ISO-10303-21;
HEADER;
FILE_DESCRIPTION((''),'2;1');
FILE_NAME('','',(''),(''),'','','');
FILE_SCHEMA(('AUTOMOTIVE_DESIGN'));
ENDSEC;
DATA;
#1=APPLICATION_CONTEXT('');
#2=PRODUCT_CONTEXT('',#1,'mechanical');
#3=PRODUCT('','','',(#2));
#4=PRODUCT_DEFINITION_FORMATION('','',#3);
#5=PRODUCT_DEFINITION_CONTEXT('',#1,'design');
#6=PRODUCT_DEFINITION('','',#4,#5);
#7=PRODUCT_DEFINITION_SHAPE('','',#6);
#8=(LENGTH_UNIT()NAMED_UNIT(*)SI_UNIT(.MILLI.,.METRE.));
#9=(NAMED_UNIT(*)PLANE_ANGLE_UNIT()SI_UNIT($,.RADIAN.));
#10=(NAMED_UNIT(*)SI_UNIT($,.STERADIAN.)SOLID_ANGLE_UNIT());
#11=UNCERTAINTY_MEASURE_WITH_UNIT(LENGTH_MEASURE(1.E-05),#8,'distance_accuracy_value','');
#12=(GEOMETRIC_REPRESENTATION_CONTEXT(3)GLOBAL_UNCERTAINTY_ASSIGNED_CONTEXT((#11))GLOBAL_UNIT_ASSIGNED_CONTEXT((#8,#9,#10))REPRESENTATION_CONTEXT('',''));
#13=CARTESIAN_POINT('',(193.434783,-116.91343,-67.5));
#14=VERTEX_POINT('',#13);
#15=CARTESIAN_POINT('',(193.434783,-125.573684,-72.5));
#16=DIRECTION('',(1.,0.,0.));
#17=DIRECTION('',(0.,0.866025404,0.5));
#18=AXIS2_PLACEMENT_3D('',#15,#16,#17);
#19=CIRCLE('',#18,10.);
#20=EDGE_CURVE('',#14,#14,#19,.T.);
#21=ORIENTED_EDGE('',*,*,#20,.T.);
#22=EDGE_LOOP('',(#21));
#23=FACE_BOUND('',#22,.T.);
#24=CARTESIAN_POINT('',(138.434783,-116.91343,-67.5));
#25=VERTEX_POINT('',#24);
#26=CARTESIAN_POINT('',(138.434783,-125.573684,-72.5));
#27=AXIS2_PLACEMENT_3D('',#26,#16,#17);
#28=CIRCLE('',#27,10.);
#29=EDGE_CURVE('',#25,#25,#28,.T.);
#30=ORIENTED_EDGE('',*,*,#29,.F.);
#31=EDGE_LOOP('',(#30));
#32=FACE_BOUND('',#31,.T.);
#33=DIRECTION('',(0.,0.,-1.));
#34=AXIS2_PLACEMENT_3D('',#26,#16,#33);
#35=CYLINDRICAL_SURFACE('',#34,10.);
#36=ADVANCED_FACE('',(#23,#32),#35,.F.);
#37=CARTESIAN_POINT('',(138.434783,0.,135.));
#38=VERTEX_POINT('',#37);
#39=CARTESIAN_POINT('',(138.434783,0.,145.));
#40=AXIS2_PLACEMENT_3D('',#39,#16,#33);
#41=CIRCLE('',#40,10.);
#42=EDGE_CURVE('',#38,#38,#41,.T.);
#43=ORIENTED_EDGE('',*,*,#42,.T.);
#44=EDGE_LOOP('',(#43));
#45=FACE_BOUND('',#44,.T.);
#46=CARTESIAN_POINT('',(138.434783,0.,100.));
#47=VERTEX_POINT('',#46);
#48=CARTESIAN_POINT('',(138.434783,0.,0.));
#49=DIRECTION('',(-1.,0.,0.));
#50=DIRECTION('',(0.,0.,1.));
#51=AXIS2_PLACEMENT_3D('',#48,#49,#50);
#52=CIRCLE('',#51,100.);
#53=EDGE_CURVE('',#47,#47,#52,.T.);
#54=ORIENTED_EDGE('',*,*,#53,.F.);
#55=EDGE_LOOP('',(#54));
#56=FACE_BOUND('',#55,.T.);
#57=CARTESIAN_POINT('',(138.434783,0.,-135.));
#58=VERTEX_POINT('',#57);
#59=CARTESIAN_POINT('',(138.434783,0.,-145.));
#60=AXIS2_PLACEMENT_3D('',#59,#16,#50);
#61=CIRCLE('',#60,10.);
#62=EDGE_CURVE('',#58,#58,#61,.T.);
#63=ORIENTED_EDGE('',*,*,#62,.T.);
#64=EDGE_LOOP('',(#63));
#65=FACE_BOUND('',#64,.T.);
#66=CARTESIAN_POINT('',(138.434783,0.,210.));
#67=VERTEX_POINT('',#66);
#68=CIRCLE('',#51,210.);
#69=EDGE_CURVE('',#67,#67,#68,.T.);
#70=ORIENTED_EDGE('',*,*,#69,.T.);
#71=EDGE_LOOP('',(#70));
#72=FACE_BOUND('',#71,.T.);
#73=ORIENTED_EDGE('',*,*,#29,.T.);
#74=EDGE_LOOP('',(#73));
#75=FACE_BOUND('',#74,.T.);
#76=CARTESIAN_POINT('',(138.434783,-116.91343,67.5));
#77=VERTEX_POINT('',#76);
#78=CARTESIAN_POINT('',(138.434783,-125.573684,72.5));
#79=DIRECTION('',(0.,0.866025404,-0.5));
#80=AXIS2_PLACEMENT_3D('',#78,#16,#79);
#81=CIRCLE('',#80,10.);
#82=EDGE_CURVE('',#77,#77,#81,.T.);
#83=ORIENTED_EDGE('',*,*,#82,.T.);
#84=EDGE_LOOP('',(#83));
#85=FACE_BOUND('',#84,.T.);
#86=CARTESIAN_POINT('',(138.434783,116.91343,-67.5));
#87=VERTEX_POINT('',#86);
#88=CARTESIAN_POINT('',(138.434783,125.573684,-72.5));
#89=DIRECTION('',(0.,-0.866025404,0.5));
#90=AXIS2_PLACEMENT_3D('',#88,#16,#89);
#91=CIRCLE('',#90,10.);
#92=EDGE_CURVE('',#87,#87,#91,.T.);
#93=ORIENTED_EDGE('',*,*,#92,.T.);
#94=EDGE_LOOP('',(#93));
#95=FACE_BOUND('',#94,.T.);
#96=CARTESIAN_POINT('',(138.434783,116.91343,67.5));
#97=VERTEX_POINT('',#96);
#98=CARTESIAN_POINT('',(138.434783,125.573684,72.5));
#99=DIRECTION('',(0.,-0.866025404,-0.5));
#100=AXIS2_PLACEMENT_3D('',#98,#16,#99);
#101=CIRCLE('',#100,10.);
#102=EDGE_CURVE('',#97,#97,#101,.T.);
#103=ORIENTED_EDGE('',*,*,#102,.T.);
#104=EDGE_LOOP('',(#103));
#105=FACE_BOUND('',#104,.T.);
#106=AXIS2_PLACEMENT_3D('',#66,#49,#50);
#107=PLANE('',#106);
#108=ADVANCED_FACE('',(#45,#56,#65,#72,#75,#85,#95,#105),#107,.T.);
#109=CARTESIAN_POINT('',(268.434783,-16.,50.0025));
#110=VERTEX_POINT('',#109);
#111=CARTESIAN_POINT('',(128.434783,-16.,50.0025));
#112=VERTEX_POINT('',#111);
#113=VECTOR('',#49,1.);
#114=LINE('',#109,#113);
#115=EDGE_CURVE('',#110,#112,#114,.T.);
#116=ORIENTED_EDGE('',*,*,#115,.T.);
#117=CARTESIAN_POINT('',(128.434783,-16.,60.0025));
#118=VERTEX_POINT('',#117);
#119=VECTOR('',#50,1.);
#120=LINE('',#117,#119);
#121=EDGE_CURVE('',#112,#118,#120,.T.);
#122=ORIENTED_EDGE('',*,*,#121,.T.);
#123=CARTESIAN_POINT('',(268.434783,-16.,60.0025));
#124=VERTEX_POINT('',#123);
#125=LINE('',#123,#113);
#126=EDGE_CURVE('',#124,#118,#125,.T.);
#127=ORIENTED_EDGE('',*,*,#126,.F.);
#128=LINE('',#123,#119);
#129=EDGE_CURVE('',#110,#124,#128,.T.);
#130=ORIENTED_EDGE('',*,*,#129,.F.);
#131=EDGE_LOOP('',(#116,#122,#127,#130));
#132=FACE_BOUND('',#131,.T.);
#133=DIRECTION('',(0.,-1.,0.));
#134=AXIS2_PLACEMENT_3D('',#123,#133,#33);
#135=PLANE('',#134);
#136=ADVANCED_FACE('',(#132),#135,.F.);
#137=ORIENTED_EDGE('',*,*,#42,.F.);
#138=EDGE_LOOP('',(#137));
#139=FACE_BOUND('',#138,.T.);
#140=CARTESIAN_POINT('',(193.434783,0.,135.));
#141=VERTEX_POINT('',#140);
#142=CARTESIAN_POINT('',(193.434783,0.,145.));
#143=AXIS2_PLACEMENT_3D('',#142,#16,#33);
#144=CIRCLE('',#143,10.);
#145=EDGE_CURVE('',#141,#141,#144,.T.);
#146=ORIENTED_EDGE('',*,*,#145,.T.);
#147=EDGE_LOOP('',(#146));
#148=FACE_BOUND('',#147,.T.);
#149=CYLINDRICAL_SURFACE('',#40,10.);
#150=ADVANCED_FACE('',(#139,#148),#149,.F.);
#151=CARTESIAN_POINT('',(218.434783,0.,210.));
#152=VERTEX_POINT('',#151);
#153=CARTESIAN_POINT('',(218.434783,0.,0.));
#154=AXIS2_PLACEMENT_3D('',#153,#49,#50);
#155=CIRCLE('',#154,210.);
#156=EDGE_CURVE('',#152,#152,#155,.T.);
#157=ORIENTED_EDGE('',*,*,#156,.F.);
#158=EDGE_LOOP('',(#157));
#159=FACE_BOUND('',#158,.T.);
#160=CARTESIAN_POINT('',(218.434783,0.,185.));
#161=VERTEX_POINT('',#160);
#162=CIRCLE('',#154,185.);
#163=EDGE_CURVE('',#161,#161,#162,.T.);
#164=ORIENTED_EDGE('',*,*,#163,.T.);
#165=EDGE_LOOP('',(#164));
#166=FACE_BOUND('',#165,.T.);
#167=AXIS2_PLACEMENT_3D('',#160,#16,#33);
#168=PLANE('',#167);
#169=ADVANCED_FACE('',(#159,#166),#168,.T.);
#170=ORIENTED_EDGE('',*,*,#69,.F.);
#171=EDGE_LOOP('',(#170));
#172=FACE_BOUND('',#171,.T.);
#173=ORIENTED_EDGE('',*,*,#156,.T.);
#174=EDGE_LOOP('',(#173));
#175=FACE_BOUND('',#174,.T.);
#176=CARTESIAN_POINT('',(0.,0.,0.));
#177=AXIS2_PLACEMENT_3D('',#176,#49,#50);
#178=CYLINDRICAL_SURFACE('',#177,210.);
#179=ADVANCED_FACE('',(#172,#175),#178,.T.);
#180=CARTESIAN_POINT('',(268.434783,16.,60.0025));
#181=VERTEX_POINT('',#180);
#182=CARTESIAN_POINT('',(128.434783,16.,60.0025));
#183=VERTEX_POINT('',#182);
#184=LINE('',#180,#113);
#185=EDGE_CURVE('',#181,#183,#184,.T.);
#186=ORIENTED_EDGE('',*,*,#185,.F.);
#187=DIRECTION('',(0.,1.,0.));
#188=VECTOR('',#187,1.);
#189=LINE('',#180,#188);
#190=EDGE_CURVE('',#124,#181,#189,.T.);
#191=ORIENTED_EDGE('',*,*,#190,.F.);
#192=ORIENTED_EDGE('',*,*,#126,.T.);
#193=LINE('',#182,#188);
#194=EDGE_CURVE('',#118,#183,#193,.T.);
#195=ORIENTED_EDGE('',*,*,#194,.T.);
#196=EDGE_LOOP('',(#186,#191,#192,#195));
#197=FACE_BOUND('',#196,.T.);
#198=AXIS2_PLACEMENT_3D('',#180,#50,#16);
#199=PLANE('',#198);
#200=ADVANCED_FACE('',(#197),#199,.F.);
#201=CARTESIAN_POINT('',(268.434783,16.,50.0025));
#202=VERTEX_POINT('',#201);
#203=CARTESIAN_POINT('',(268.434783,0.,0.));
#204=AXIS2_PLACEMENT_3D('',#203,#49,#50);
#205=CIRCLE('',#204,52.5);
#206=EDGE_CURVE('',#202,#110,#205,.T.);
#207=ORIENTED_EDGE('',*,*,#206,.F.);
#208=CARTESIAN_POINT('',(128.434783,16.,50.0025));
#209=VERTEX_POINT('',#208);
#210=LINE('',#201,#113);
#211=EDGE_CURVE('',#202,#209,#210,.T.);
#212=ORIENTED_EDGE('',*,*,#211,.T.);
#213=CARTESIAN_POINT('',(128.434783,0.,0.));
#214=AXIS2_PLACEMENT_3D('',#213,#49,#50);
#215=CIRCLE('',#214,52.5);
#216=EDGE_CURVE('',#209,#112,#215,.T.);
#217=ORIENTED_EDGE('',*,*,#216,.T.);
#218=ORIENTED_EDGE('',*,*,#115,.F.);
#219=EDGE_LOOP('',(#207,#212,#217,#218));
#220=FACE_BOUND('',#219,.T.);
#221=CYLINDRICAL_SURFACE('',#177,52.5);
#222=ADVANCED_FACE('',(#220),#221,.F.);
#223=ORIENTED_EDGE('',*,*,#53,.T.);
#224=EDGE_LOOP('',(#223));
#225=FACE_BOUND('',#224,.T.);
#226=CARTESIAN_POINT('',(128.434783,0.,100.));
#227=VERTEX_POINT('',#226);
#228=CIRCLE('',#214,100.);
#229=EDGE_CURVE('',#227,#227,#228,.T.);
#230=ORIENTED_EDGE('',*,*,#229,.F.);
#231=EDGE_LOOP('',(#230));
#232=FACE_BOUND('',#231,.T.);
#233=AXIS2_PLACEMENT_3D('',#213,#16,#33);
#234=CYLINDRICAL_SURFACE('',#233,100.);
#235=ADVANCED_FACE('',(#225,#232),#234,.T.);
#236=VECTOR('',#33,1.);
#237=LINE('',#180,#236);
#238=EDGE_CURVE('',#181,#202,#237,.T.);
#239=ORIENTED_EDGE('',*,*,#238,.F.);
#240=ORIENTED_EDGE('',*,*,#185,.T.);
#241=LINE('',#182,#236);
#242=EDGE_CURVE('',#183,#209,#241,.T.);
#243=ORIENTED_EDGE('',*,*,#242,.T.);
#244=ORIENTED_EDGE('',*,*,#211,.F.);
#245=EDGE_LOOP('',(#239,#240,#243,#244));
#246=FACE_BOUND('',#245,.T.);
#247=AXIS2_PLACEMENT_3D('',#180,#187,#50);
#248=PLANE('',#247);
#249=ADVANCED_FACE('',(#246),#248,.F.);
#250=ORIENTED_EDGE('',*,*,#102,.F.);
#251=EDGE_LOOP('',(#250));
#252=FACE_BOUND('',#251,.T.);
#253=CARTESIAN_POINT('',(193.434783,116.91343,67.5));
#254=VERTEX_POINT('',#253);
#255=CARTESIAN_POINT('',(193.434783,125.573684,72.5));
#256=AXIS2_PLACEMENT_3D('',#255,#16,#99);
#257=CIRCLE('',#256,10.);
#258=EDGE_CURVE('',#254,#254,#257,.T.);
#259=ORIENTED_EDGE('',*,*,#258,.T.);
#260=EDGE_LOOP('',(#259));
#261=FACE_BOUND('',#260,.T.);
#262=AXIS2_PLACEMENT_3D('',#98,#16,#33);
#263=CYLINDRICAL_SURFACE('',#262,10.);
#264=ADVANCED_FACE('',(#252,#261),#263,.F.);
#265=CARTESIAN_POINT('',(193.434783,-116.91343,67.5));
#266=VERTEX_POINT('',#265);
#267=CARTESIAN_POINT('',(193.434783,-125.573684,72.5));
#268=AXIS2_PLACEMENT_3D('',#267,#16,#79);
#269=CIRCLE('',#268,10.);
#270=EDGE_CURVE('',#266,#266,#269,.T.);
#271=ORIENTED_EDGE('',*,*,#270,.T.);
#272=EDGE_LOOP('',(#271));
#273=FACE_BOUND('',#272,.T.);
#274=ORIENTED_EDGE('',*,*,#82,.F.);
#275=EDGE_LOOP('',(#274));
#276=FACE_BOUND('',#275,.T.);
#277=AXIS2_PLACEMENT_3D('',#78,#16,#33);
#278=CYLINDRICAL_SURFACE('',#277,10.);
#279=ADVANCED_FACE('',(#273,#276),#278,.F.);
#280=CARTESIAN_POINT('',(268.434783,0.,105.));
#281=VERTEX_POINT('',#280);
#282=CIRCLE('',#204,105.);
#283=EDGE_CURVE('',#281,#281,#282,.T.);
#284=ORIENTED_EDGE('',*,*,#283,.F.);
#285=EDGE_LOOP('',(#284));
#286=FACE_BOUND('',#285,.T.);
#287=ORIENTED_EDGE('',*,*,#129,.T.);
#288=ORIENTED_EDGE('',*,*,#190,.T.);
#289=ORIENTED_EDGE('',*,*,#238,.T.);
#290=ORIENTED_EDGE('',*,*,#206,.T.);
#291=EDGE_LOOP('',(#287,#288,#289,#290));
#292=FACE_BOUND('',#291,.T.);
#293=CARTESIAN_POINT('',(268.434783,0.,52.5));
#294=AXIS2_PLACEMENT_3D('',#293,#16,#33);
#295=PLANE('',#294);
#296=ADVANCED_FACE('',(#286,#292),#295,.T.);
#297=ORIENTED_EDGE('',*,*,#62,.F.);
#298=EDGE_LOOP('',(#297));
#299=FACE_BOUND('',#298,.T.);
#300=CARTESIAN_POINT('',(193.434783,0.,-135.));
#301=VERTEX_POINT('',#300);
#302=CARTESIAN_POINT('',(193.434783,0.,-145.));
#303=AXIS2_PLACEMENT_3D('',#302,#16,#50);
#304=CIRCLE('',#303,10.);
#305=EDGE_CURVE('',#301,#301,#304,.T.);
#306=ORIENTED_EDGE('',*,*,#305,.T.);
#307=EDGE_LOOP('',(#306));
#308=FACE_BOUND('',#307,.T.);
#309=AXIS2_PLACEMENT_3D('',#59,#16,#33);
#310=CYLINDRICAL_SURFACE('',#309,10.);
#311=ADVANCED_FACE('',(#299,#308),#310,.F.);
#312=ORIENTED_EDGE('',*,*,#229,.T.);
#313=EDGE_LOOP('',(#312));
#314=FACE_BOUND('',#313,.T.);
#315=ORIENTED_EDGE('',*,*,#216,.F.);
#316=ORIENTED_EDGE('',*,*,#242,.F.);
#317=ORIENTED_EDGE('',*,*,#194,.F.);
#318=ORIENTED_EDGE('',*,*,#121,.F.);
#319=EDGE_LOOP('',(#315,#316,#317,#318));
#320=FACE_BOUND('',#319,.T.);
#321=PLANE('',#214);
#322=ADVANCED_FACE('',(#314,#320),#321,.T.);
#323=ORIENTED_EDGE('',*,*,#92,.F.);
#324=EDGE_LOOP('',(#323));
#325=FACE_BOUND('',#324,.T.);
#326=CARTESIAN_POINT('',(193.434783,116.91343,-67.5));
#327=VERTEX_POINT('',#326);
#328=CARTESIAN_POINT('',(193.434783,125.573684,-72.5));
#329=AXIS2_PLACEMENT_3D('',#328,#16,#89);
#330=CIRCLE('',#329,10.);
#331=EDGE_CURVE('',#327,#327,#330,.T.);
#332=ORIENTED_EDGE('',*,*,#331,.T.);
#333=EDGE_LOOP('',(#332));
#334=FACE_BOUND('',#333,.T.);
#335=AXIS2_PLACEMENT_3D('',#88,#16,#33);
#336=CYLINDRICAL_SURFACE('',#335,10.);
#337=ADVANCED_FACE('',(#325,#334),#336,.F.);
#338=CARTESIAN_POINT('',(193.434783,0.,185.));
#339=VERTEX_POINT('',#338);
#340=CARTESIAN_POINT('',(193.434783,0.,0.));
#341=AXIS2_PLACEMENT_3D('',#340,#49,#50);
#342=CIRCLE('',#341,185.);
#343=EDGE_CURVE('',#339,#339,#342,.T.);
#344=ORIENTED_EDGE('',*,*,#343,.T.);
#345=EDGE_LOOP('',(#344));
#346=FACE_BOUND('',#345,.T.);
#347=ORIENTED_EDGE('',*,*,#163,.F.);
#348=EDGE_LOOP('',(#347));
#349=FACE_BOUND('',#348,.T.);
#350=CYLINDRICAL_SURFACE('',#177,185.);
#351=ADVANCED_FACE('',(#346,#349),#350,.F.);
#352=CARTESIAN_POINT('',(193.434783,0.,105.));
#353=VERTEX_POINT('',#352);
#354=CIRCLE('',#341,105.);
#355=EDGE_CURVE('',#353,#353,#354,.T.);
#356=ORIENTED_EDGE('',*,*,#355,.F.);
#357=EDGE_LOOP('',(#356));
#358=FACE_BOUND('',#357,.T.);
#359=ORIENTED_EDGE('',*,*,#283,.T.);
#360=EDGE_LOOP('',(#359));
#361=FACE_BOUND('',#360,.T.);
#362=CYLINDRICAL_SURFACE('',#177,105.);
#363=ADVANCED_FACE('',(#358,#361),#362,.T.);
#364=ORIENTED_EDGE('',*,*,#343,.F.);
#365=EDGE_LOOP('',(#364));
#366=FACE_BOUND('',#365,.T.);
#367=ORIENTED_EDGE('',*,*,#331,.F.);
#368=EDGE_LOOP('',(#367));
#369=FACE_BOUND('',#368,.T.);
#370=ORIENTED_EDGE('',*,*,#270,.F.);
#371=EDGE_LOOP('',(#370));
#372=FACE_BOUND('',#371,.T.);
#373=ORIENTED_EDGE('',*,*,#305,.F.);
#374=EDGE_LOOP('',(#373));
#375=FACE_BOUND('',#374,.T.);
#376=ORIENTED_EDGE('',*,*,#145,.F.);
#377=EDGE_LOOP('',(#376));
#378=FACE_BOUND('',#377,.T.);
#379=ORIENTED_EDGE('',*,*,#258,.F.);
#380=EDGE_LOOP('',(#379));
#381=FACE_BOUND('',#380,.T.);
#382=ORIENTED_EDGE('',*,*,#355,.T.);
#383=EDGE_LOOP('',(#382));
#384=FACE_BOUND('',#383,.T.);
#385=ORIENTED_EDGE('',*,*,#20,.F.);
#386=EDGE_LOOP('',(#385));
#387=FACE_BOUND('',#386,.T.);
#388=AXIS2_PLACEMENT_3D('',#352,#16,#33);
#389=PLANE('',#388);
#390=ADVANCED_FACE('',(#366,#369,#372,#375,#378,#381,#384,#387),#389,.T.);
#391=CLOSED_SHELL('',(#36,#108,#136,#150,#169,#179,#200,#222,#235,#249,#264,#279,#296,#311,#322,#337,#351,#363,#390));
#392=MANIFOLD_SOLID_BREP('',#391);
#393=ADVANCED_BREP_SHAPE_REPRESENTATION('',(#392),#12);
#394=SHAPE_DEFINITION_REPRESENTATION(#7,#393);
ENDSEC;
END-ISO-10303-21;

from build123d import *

# Parameters (mm, degrees)
SKETCH3_R               = 10
CUT_EXTRUDE1_DEPTH      = 307.30866785
CIRPATTERN1_COUNT       = 6
SKETCH5_R               = 100
BOSS_EXTRUDE1_DEPTH     = 10
CUT_EXTRUDE2_DEPTH      = 325.191301549
CUT_EXTRUDE2_DEPTH_BACK = 325.191301549
SKETCH4_W               = 32
SKETCH4_H               = 10
CUT_EXTRUDE4_DEPTH      = 329.329103188
CUT_EXTRUDE4_DEPTH_BACK = 329.329103188
SKETCH6_R               = 52.5


with BuildPart() as part:
    # Sketch2 → Revolve1 (revolve)
    with BuildSketch(Plane(origin=(0, 0, 0), x_dir=(-1, 0, 0), z_dir=(0, 1, 0))):
        Polygon((-138.434782609, 52.5), (-268.434782609, 52.5), (-268.434782609, 105), (-193.434782609, 105), (-193.434782609, 185), (-218.434782609, 185), (-218.434782609, 210), (-138.434782609, 210), align=None)
    revolve(axis=Axis((0, 0, 0), (1, 0, 0)))

    # Sketch3 → Cut-Extrude1 (cut, through all)
    with BuildSketch(Plane.YZ.offset(193.434782609)):
        with Locations(Location((0, 145, 0), (0, 0, 270))):
            Circle(SKETCH3_R)
    cut_extrude1 = extrude(amount=-CUT_EXTRUDE1_DEPTH, mode=Mode.SUBTRACT)

    # CirPattern1: Cut-Extrude1 ×6 about axis
    cirpattern1_axis = Axis((0, 0, 0), (1, 0, 0))
    for i in range(1, CIRPATTERN1_COUNT):
        add(cut_extrude1.rotate(cirpattern1_axis, i * 360 / CIRPATTERN1_COUNT), mode=Mode.SUBTRACT)

    # Sketch5 → Boss-Extrude1 (add)
    with BuildSketch(Plane(origin=(138.434782609, 0, 0), x_dir=(0, -1, 0), z_dir=(-1, 0, 0))):
        with Locations(Location((0, 0, 0), (0, 0, 90))):
            Circle(SKETCH5_R)
    extrude(amount=BOSS_EXTRUDE1_DEPTH)

    # Sketch4 → Cut-Extrude2 (cut, two sides: drawn at the far end of the back side and taken through both)
    with BuildSketch(Plane(origin=(138.434782609, 0, 0), x_dir=(0, -1, 0), z_dir=(-1, 0, 0)).offset(-CUT_EXTRUDE2_DEPTH_BACK)):
        with Locations((0, 55.002499938)):
            Rectangle(SKETCH4_W, SKETCH4_H)
    extrude(amount=CUT_EXTRUDE2_DEPTH + CUT_EXTRUDE2_DEPTH_BACK, mode=Mode.SUBTRACT)

    # Sketch6 → Cut-Extrude4 (cut, two sides: drawn at the far end of the back side and taken through both)
    with BuildSketch(Plane(origin=(128.434782609, 0, 0), x_dir=(0, -1, 0), z_dir=(-1, 0, 0)).offset(-CUT_EXTRUDE4_DEPTH_BACK)):
        Circle(SKETCH6_R)
    extrude(amount=CUT_EXTRUDE4_DEPTH + CUT_EXTRUDE4_DEPTH_BACK, mode=Mode.SUBTRACT)


solid = part.part
